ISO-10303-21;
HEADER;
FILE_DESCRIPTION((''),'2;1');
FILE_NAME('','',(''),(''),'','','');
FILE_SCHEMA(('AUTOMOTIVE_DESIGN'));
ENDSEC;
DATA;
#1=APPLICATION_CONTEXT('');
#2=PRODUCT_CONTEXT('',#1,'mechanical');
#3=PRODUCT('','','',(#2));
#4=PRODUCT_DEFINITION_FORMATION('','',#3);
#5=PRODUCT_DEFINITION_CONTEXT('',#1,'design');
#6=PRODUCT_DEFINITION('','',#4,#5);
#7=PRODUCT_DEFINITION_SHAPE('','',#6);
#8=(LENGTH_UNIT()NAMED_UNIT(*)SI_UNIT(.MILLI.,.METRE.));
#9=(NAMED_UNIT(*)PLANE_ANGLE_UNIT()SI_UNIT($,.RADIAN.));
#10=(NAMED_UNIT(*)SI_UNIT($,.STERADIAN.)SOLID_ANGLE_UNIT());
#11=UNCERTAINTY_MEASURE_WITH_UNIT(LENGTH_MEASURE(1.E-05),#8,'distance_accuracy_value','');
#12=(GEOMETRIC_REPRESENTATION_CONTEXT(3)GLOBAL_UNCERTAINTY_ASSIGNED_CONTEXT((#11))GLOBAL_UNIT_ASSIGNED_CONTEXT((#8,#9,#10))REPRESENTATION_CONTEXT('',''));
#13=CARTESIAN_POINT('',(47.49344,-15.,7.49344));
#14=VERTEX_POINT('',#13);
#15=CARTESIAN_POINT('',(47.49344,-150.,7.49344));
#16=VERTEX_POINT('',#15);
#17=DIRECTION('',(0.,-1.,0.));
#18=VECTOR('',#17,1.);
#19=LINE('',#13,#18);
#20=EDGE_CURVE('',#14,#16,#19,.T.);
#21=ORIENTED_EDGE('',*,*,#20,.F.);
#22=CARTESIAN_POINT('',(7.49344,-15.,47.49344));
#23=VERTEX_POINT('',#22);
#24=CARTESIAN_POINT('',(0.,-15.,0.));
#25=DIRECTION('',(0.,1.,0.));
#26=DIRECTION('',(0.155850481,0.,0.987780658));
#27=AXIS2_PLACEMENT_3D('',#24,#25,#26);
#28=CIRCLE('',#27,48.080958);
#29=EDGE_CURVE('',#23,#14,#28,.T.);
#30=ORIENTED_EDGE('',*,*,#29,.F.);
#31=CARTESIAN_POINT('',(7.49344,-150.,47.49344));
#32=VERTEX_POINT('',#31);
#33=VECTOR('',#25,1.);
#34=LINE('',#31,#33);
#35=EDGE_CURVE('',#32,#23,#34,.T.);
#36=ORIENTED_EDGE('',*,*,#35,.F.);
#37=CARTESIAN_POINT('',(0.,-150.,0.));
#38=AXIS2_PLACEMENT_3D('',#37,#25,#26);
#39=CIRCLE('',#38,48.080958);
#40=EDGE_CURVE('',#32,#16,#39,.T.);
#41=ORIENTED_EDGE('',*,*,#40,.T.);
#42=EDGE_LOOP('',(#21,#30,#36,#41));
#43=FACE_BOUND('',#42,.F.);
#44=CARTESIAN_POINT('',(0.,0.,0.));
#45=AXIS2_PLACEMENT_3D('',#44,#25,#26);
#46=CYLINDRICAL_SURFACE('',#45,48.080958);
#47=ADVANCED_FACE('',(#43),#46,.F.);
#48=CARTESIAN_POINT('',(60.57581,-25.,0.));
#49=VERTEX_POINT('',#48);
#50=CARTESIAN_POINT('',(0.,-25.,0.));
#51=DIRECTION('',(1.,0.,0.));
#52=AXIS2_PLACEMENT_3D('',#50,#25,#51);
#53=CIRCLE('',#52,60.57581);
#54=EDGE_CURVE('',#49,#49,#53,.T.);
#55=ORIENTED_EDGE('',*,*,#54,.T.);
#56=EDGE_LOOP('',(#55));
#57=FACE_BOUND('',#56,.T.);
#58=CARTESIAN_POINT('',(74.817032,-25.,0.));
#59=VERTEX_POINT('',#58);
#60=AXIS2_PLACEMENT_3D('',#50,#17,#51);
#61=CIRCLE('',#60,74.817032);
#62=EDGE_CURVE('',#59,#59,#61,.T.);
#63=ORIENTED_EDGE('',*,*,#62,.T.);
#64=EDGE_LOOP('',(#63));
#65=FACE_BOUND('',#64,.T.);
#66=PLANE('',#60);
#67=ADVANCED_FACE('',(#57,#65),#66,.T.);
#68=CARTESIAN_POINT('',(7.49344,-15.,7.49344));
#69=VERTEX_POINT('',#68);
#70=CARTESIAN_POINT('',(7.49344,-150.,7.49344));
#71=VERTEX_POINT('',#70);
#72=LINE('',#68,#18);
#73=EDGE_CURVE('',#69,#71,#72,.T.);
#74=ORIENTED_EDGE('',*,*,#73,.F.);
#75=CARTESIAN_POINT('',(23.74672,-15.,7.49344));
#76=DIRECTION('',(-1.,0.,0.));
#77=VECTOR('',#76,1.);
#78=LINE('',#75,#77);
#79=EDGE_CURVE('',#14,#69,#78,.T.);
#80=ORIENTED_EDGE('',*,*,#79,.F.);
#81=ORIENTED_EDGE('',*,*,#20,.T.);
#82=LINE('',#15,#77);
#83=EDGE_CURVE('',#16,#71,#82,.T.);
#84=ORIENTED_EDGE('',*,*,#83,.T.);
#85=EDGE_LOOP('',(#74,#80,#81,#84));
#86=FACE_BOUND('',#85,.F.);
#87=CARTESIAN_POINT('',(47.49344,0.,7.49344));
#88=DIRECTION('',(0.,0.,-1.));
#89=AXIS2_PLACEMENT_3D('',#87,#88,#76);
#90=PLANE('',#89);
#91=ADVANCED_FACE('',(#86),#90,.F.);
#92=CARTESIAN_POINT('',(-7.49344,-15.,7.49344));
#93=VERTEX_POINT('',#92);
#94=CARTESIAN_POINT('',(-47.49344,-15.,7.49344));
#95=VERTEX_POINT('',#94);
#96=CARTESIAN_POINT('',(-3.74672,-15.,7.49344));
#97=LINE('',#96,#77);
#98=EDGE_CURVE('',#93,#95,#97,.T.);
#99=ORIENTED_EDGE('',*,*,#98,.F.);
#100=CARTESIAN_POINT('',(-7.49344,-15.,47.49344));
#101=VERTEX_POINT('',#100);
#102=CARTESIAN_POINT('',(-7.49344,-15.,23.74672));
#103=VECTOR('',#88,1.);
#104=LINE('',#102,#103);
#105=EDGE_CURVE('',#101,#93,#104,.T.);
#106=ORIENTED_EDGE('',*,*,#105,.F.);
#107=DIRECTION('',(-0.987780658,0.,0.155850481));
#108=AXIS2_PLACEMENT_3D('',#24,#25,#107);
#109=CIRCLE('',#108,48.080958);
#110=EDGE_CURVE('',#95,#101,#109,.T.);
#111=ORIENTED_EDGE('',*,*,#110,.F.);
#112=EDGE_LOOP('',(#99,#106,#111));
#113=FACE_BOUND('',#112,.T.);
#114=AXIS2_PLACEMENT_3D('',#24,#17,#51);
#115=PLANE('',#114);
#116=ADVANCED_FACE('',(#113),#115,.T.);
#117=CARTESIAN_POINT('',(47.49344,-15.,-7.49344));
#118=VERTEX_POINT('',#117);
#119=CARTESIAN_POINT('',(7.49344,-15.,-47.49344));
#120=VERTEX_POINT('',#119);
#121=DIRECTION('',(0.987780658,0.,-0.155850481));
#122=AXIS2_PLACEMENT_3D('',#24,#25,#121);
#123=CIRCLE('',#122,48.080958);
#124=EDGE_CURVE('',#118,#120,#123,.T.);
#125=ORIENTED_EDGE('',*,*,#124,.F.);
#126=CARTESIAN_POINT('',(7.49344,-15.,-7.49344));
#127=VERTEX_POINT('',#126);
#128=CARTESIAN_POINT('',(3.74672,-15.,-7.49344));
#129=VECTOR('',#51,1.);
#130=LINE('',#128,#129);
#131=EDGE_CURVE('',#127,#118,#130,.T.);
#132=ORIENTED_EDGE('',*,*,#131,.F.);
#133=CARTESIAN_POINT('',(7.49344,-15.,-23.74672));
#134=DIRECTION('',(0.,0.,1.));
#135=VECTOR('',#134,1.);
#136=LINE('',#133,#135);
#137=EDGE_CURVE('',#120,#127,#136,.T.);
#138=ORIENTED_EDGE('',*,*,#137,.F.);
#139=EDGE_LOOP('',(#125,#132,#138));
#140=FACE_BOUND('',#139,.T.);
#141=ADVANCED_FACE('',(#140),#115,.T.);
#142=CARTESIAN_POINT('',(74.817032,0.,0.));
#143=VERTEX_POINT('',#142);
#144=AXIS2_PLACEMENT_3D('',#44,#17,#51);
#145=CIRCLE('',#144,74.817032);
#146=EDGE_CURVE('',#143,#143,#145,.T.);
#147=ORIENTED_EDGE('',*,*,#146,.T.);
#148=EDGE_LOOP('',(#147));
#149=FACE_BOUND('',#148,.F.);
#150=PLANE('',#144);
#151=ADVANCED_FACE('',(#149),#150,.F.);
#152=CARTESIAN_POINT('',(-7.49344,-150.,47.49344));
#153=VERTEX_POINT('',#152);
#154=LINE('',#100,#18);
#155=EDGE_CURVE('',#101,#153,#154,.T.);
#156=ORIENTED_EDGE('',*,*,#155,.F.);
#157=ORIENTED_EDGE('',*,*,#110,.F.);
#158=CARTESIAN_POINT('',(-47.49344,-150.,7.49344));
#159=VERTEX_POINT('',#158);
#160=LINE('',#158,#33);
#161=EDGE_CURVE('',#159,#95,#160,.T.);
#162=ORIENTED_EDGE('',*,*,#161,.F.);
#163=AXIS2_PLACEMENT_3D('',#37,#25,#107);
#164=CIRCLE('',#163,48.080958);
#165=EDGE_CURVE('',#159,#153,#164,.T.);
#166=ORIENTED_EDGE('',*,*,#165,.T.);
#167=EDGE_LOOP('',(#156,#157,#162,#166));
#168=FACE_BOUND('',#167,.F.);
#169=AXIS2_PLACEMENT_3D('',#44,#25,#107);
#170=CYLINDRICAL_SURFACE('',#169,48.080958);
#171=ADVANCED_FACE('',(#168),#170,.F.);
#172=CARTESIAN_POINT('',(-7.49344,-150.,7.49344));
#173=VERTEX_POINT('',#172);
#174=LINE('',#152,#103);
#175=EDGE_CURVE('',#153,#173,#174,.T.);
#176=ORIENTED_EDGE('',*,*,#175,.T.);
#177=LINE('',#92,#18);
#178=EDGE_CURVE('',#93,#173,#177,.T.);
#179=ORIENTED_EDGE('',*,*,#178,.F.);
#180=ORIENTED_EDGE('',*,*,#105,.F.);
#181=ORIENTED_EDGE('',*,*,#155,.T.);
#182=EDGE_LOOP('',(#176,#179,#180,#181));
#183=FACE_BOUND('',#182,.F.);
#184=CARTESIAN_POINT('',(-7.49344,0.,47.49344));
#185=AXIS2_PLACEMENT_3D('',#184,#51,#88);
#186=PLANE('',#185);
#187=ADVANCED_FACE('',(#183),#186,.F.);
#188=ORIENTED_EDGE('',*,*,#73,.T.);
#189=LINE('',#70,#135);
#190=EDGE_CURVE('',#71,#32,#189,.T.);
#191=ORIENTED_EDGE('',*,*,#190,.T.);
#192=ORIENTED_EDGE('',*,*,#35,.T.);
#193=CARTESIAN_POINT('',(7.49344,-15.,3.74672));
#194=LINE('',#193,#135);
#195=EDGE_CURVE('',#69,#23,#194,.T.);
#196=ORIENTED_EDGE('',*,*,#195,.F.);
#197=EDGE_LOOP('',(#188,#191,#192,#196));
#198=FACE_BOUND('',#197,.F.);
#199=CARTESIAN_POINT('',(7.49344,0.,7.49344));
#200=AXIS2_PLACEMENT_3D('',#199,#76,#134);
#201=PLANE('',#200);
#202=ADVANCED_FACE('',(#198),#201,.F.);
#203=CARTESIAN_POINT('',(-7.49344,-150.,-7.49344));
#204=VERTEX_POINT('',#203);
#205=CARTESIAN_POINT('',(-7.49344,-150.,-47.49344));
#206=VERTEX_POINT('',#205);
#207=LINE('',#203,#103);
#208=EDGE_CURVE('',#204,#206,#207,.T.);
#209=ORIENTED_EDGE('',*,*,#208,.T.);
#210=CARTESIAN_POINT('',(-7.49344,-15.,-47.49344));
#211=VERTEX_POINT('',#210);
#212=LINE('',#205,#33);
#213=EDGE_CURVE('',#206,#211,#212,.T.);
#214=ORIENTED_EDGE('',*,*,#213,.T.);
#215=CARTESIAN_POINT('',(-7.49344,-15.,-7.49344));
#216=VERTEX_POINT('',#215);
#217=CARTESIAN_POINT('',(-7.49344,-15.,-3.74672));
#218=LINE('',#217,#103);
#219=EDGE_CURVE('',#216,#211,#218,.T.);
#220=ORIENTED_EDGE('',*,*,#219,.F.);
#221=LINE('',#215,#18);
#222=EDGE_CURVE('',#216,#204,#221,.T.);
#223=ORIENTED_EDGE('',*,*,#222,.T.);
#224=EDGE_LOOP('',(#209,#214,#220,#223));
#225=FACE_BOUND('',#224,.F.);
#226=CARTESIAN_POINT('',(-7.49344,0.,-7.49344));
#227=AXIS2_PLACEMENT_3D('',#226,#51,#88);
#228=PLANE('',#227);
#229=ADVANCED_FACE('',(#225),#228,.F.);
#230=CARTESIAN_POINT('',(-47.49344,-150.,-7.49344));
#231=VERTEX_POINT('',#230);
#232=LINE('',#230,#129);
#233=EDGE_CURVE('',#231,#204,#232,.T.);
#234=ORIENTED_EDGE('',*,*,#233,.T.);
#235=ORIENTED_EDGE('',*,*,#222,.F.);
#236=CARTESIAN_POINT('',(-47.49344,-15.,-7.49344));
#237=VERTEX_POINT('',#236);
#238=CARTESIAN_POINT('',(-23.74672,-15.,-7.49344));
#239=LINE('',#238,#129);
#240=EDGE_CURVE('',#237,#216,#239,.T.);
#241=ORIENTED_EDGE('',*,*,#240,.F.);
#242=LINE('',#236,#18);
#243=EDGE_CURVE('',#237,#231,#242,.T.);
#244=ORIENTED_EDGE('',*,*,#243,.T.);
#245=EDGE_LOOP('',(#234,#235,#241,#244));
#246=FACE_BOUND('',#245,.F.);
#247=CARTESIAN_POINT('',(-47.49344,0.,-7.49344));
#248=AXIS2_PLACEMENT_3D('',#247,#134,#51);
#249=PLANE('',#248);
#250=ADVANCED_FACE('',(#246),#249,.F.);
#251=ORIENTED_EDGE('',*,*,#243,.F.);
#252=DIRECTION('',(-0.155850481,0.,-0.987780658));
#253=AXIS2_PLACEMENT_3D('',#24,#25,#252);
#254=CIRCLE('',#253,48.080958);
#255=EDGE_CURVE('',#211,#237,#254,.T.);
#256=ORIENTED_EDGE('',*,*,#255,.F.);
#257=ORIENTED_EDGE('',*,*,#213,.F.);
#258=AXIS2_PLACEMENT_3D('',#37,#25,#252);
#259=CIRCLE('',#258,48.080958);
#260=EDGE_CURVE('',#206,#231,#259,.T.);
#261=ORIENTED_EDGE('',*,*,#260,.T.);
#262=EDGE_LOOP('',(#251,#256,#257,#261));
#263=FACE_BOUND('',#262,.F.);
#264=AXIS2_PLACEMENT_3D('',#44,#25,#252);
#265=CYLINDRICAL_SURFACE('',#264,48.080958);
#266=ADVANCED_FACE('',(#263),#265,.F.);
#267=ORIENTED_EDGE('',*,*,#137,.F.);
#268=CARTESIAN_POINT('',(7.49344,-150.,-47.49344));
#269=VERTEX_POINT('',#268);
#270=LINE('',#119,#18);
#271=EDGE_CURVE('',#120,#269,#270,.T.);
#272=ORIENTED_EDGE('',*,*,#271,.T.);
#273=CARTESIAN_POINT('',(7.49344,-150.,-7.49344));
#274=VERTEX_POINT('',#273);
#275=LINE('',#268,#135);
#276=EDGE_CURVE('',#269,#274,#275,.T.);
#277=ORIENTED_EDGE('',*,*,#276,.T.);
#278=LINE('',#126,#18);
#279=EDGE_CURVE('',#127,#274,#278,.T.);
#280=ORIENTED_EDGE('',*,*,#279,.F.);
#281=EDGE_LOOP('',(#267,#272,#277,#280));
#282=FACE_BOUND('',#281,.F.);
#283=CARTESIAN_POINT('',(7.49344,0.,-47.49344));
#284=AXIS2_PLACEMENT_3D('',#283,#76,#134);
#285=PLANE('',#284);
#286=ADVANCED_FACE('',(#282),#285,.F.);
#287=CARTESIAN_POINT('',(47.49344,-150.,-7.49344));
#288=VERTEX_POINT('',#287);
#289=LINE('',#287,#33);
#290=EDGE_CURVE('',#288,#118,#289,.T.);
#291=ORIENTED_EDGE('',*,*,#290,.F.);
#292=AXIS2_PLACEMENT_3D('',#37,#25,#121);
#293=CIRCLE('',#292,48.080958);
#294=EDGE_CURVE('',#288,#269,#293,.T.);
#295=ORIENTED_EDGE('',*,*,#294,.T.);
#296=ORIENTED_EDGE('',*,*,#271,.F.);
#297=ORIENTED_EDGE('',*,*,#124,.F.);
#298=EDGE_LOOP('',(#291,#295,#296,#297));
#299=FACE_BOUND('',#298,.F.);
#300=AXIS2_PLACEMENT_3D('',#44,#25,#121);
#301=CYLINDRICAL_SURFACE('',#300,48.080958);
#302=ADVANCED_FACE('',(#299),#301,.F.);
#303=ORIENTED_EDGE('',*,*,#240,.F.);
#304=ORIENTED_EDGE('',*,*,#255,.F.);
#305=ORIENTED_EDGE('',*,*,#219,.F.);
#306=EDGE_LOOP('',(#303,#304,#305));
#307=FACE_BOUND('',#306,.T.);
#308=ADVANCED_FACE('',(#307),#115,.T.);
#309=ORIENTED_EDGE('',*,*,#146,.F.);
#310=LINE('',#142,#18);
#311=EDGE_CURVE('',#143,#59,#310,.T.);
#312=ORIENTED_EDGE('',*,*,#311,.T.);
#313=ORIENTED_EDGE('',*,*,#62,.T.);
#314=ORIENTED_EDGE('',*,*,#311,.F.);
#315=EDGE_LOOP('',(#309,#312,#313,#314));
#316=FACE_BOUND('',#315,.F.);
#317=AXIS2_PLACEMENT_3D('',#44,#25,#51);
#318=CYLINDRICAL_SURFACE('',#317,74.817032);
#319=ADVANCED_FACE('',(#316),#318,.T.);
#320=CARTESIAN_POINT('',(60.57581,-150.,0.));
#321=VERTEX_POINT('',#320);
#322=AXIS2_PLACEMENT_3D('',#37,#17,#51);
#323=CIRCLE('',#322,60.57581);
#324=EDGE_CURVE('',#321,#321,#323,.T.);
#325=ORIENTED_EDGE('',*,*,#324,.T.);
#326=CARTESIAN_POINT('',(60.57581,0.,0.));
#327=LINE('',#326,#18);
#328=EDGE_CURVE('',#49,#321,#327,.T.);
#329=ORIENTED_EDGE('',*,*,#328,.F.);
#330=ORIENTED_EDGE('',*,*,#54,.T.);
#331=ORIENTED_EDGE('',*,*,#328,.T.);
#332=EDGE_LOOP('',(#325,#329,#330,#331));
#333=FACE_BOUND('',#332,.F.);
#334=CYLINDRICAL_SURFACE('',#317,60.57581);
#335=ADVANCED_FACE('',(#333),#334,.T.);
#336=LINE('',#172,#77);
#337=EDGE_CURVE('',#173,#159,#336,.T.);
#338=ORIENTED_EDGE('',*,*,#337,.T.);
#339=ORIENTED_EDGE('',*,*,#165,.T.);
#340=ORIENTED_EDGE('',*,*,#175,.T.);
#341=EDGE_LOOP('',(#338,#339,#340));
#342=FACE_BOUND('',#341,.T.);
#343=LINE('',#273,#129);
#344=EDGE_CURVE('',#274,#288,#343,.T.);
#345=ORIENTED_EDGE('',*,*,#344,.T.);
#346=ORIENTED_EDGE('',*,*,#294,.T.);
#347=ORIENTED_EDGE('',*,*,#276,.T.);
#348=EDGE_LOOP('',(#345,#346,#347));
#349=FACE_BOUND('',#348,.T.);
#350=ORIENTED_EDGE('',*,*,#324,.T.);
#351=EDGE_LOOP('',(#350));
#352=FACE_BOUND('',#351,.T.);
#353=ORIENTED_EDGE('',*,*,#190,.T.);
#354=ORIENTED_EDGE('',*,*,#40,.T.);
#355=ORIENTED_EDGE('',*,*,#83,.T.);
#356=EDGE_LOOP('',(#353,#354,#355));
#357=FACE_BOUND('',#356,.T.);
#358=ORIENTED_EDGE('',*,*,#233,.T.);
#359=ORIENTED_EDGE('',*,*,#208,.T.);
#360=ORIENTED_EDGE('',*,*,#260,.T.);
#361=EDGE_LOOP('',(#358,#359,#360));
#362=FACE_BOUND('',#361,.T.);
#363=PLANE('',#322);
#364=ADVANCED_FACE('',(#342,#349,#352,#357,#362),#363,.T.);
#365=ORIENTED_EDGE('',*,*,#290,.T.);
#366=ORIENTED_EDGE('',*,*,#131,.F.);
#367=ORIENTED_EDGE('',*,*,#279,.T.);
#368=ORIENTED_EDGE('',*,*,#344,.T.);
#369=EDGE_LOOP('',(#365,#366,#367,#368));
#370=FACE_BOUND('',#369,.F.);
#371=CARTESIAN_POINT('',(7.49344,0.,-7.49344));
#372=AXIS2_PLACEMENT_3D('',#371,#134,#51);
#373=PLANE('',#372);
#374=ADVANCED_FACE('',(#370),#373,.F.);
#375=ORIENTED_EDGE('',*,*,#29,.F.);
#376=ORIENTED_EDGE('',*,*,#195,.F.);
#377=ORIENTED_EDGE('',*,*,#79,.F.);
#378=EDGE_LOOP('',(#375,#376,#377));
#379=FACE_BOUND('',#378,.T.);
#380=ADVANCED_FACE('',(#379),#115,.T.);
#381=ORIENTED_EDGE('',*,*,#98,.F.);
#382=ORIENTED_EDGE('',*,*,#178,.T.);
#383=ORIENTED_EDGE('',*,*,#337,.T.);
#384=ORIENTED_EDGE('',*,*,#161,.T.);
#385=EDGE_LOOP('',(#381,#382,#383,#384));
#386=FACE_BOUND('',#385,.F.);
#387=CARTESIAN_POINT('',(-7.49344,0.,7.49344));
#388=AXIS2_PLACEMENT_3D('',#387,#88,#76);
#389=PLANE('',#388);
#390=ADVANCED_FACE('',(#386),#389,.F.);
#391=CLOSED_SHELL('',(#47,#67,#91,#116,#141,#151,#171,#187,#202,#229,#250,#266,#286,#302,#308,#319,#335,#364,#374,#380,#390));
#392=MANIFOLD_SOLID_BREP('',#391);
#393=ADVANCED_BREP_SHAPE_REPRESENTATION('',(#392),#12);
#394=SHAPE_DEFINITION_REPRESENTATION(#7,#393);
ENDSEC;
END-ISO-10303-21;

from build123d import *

# Parameters (mm, degrees)
F0_R     = 60.575809744
F0_R_2   = 51.7071854394
F0_R_3   = 49.5795397822
F1_DEPTH = 150
F2_R     = 74.8170316814
F3_DEPTH = 25
F4_DEPTH = 10


with BuildPart() as f1:
    # F0 (on Front) → F1 (new body)
    with BuildSketch(Plane.XZ):
        Circle(F0_R)
        Circle(F0_R_2, mode=Mode.SUBTRACT)
        Circle(F0_R_2)
        Circle(F0_R_3, mode=Mode.SUBTRACT)
        Circle(F0_R_3)
        with BuildLine():
            ThreePointArc((47.4934404762, 7.4934404762), (47.9338537115, 3.7582185677), (48.0809581689, 0))
            ThreePointArc((48.0809581689, 0), (47.9338537115, -3.7582185677), (47.4934404762, -7.4934404762))
            ThreePointArc((47.4934404762, -7.4934404762), (33.9983715672, -33.9983715672), (7.4934404762, -47.4934404762))
            ThreePointArc((7.4934404762, -47.4934404762), (0, -48.0809581689), (-7.4934404762, -47.4934404762))
            ThreePointArc((-7.4934404762, -47.4934404762), (-33.9983715672, -33.9983715672), (-47.4934404762, -7.4934404762))
            ThreePointArc((-47.4934404762, -7.4934404762), (-48.0809581689, 0), (-47.4934404762, 7.4934404762))
            ThreePointArc((-47.4934404762, 7.4934404762), (-33.9983715672, 33.9983715672), (-7.4934404762, 47.4934404762))
            ThreePointArc((-7.4934404762, 47.4934404762), (0, 48.0809581689), (7.4934404762, 47.4934404762))
            ThreePointArc((7.4934404762, 47.4934404762), (33.9983715672, 33.9983715672), (47.4934404762, 7.4934404762))
        make_face(mode=Mode.SUBTRACT)
        with BuildLine():
            ThreePointArc((47.4934404762, -7.4934404762), (47.9338537115, -3.7582185677), (48.0809581689, 0))
            ThreePointArc((48.0809581689, 0), (47.9338537115, 3.7582185677), (47.4934404762, 7.4934404762))
            Line((47.4934404762, 7.4934404762), (7.4934404762, 7.4934404762))
            Line((7.4934404762, 7.4934404762), (7.4934404762, 47.4934404762))
            ThreePointArc((7.4934404762, 47.4934404762), (0, 48.0809581689), (-7.4934404762, 47.4934404762))
            Line((-7.4934404762, 47.4934404762), (-7.4934404762, 7.4934404762))
            Line((-7.4934404762, 7.4934404762), (-47.4934404762, 7.4934404762))
            ThreePointArc((-47.4934404762, 7.4934404762), (-48.0809581689, 0), (-47.4934404762, -7.4934404762))
            Line((-47.4934404762, -7.4934404762), (-7.4934404762, -7.4934404762))
            Line((-7.4934404762, -7.4934404762), (-7.4934404762, -47.4934404762))
            ThreePointArc((-7.4934404762, -47.4934404762), (0, -48.0809581689), (7.4934404762, -47.4934404762))
            Line((7.4934404762, -47.4934404762), (7.4934404762, -7.4934404762))
            Line((7.4934404762, -7.4934404762), (47.4934404762, -7.4934404762))
        make_face()
    extrude(amount=F1_DEPTH)

    # F2 (on Front) → F3 (join)
    with BuildSketch(Plane.XZ):
        Circle(F2_R)
    extrude(amount=F3_DEPTH)

    # F4 (cut): faces of the model
    f4_faces = [f1.faces().sort_by_distance(p)[0] for p in [
        (-23.6778496661, -25, 23.6778496661),
        (23.6778496661, -25, 23.6778496661),
        (23.6778496661, -25, -23.6778496661),
        (-23.6778496661, -25, -23.6778496661),
    ]]
    extrude(f4_faces, amount=-F4_DEPTH, mode=Mode.SUBTRACT)


solid = f1.part
